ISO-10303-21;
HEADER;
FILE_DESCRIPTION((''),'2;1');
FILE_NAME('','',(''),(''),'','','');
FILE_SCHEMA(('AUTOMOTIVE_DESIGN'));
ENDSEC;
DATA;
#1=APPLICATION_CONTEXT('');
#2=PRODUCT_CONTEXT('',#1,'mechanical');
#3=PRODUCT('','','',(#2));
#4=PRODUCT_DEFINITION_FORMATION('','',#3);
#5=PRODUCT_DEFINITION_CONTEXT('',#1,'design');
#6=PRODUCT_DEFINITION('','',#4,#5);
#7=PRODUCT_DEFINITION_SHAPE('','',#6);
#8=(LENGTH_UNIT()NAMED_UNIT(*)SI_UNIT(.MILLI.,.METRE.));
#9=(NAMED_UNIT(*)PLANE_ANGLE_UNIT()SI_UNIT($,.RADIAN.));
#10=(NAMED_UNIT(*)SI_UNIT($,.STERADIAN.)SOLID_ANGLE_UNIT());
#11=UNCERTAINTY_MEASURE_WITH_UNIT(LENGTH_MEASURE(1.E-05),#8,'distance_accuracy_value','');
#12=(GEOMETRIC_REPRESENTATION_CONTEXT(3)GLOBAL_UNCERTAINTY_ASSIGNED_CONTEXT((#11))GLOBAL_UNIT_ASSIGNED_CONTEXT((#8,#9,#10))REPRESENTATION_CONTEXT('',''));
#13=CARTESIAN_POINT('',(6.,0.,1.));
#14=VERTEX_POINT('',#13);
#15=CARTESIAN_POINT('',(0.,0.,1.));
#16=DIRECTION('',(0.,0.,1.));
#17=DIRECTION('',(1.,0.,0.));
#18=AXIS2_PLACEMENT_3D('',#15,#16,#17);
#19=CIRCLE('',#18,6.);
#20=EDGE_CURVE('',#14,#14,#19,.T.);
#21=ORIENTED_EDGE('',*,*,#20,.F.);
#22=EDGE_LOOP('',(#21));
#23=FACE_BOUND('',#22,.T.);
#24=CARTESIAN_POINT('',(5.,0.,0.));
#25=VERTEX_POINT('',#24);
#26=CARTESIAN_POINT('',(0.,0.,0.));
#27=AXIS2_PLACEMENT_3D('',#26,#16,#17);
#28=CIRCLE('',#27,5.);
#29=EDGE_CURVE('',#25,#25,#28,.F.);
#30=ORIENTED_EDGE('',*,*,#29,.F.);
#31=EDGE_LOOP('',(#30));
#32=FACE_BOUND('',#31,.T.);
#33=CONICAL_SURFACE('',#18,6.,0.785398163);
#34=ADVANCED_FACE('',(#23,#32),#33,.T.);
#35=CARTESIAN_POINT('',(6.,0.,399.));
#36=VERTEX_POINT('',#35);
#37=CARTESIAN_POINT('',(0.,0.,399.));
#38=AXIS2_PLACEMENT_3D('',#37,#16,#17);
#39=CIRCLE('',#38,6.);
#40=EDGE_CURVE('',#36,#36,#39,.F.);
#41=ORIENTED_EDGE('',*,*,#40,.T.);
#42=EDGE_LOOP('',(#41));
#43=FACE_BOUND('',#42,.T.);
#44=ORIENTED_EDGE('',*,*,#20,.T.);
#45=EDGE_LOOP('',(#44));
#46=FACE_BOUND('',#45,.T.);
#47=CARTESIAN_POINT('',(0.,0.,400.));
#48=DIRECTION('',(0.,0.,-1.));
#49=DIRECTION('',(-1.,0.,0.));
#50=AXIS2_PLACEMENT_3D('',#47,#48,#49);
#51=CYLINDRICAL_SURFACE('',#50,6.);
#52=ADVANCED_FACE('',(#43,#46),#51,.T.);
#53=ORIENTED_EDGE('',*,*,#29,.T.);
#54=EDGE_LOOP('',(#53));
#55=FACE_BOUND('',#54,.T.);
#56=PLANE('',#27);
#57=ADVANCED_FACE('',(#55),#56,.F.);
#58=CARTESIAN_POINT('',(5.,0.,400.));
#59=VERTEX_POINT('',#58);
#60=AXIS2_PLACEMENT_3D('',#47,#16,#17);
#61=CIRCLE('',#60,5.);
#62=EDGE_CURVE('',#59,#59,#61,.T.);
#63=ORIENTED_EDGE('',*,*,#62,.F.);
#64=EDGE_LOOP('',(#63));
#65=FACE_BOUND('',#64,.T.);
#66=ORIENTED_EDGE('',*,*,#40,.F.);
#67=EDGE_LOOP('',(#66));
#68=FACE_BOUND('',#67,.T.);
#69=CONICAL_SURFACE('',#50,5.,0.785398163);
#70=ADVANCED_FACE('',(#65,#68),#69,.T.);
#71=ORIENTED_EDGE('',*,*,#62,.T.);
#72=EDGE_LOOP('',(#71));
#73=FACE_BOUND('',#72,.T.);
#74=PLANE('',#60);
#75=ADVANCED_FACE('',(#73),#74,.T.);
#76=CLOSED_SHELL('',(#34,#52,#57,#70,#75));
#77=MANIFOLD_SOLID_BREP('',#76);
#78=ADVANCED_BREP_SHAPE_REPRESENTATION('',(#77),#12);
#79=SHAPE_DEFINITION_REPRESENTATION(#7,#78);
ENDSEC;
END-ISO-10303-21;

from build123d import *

# Parameters (mm, degrees)
SKETCH_1_R      = 6
EXTRUDE_1_DEPTH = 400
CHAMFER_1_SIZE  = 1


with BuildPart() as part:
    # Эскиз1 → Бобышка-Вытянуть1 (new body)
    with BuildSketch(Plane.XY):
        Circle(SKETCH_1_R)
    extrude(amount=EXTRUDE_1_DEPTH)

    # Фаска1
    chamfer_1_edges = [part.edges().sort_by_distance(p)[0] for p in [
        (-6, 0, 0),
        (-6, 0, 400),
    ]]
    chamfer(chamfer_1_edges, length=CHAMFER_1_SIZE)


solid = part.part
